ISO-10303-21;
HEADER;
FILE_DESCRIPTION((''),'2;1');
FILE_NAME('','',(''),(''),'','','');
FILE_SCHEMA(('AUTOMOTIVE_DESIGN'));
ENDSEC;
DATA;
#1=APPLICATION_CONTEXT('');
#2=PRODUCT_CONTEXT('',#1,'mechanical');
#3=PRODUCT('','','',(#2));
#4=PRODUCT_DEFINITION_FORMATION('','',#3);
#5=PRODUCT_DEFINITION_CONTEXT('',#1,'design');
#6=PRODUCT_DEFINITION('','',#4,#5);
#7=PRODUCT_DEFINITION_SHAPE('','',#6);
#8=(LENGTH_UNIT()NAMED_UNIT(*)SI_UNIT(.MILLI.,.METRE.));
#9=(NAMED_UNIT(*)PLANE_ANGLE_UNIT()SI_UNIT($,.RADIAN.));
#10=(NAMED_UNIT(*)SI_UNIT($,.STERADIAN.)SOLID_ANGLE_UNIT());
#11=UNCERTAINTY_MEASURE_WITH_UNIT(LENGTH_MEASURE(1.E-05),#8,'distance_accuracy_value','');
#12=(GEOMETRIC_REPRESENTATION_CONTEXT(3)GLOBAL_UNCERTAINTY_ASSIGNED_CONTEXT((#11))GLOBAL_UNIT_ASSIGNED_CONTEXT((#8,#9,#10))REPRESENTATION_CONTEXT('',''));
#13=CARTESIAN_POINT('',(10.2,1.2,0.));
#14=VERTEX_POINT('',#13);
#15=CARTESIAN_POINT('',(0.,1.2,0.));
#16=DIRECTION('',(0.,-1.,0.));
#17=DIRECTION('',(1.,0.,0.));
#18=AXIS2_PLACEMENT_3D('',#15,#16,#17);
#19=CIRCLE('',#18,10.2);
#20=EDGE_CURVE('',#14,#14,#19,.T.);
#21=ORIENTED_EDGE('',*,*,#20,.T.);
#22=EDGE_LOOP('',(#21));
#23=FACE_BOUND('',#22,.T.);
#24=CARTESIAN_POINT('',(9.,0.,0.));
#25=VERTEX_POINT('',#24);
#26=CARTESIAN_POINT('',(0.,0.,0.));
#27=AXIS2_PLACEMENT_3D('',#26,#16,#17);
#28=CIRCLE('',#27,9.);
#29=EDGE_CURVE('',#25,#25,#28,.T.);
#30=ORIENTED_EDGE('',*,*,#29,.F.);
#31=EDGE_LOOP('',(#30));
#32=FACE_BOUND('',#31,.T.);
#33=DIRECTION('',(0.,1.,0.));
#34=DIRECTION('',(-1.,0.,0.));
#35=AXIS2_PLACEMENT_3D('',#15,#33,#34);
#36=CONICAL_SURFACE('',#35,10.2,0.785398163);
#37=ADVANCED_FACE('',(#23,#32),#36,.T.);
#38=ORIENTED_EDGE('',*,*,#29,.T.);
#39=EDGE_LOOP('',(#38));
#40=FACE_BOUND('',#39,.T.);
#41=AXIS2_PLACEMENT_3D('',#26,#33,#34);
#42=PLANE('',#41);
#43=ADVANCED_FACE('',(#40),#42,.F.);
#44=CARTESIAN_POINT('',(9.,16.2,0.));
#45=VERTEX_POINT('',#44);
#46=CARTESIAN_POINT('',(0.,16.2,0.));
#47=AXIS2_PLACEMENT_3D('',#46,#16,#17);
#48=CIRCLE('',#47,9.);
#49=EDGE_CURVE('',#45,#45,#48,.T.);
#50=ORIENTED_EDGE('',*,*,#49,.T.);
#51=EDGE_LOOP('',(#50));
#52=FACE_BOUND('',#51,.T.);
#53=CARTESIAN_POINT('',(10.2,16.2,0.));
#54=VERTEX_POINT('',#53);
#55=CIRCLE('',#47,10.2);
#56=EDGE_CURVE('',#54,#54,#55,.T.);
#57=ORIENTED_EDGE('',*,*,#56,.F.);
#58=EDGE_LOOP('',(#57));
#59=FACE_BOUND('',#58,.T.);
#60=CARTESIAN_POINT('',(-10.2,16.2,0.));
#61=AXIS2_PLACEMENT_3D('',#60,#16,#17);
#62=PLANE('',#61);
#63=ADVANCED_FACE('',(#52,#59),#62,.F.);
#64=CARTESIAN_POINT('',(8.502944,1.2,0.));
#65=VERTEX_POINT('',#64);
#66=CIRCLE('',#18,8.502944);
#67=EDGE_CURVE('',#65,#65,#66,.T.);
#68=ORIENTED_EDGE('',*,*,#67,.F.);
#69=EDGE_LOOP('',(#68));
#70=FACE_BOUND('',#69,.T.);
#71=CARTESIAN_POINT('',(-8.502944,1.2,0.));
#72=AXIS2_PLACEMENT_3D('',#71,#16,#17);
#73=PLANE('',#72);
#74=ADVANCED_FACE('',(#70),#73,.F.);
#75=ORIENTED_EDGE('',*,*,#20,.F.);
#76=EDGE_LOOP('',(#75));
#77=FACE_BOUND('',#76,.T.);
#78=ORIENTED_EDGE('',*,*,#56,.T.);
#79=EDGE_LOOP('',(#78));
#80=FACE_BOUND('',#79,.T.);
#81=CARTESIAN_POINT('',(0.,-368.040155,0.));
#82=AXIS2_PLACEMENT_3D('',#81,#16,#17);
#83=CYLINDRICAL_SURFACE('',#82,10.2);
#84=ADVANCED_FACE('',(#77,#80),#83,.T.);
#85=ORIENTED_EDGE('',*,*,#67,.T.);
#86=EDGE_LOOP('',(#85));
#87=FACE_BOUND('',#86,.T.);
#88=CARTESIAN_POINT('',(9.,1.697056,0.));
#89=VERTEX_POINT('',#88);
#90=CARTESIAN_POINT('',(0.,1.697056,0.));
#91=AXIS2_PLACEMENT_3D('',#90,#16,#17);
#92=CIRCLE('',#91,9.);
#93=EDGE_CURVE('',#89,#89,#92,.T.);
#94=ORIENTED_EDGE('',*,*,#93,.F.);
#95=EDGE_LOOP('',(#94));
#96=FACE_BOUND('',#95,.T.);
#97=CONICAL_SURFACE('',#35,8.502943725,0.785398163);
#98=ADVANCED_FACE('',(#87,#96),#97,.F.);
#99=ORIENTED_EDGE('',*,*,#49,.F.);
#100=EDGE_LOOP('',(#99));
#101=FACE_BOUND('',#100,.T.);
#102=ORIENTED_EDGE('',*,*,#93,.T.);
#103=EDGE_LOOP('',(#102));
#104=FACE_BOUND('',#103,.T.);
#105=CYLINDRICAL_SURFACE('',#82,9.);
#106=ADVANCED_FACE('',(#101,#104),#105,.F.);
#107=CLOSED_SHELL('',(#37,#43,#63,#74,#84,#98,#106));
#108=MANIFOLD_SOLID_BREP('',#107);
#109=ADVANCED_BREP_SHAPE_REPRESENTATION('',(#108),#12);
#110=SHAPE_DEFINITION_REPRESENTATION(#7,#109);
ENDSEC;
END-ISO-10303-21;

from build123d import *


with BuildPart() as part:
    # Sketch1 → Revolve1 (revolve)
    with BuildSketch(Plane.XY, mode=Mode.PRIVATE) as revolve1_sk:
        Polygon((0, 0), (-9, 0), (-10.2, 1.2), (-10.2, 16.2), (-9, 16.2), (-9, 1.697056275), (-8.502943725, 1.2), (0, 1.2), align=None)
    revolve(revolve1_sk.sketch.rotate(Axis((0, -368.040154875, 0), (0, 1, 0)), 180), axis=Axis((0, -368.040154875, 0), (0, 1, 0)))


solid = part.part
